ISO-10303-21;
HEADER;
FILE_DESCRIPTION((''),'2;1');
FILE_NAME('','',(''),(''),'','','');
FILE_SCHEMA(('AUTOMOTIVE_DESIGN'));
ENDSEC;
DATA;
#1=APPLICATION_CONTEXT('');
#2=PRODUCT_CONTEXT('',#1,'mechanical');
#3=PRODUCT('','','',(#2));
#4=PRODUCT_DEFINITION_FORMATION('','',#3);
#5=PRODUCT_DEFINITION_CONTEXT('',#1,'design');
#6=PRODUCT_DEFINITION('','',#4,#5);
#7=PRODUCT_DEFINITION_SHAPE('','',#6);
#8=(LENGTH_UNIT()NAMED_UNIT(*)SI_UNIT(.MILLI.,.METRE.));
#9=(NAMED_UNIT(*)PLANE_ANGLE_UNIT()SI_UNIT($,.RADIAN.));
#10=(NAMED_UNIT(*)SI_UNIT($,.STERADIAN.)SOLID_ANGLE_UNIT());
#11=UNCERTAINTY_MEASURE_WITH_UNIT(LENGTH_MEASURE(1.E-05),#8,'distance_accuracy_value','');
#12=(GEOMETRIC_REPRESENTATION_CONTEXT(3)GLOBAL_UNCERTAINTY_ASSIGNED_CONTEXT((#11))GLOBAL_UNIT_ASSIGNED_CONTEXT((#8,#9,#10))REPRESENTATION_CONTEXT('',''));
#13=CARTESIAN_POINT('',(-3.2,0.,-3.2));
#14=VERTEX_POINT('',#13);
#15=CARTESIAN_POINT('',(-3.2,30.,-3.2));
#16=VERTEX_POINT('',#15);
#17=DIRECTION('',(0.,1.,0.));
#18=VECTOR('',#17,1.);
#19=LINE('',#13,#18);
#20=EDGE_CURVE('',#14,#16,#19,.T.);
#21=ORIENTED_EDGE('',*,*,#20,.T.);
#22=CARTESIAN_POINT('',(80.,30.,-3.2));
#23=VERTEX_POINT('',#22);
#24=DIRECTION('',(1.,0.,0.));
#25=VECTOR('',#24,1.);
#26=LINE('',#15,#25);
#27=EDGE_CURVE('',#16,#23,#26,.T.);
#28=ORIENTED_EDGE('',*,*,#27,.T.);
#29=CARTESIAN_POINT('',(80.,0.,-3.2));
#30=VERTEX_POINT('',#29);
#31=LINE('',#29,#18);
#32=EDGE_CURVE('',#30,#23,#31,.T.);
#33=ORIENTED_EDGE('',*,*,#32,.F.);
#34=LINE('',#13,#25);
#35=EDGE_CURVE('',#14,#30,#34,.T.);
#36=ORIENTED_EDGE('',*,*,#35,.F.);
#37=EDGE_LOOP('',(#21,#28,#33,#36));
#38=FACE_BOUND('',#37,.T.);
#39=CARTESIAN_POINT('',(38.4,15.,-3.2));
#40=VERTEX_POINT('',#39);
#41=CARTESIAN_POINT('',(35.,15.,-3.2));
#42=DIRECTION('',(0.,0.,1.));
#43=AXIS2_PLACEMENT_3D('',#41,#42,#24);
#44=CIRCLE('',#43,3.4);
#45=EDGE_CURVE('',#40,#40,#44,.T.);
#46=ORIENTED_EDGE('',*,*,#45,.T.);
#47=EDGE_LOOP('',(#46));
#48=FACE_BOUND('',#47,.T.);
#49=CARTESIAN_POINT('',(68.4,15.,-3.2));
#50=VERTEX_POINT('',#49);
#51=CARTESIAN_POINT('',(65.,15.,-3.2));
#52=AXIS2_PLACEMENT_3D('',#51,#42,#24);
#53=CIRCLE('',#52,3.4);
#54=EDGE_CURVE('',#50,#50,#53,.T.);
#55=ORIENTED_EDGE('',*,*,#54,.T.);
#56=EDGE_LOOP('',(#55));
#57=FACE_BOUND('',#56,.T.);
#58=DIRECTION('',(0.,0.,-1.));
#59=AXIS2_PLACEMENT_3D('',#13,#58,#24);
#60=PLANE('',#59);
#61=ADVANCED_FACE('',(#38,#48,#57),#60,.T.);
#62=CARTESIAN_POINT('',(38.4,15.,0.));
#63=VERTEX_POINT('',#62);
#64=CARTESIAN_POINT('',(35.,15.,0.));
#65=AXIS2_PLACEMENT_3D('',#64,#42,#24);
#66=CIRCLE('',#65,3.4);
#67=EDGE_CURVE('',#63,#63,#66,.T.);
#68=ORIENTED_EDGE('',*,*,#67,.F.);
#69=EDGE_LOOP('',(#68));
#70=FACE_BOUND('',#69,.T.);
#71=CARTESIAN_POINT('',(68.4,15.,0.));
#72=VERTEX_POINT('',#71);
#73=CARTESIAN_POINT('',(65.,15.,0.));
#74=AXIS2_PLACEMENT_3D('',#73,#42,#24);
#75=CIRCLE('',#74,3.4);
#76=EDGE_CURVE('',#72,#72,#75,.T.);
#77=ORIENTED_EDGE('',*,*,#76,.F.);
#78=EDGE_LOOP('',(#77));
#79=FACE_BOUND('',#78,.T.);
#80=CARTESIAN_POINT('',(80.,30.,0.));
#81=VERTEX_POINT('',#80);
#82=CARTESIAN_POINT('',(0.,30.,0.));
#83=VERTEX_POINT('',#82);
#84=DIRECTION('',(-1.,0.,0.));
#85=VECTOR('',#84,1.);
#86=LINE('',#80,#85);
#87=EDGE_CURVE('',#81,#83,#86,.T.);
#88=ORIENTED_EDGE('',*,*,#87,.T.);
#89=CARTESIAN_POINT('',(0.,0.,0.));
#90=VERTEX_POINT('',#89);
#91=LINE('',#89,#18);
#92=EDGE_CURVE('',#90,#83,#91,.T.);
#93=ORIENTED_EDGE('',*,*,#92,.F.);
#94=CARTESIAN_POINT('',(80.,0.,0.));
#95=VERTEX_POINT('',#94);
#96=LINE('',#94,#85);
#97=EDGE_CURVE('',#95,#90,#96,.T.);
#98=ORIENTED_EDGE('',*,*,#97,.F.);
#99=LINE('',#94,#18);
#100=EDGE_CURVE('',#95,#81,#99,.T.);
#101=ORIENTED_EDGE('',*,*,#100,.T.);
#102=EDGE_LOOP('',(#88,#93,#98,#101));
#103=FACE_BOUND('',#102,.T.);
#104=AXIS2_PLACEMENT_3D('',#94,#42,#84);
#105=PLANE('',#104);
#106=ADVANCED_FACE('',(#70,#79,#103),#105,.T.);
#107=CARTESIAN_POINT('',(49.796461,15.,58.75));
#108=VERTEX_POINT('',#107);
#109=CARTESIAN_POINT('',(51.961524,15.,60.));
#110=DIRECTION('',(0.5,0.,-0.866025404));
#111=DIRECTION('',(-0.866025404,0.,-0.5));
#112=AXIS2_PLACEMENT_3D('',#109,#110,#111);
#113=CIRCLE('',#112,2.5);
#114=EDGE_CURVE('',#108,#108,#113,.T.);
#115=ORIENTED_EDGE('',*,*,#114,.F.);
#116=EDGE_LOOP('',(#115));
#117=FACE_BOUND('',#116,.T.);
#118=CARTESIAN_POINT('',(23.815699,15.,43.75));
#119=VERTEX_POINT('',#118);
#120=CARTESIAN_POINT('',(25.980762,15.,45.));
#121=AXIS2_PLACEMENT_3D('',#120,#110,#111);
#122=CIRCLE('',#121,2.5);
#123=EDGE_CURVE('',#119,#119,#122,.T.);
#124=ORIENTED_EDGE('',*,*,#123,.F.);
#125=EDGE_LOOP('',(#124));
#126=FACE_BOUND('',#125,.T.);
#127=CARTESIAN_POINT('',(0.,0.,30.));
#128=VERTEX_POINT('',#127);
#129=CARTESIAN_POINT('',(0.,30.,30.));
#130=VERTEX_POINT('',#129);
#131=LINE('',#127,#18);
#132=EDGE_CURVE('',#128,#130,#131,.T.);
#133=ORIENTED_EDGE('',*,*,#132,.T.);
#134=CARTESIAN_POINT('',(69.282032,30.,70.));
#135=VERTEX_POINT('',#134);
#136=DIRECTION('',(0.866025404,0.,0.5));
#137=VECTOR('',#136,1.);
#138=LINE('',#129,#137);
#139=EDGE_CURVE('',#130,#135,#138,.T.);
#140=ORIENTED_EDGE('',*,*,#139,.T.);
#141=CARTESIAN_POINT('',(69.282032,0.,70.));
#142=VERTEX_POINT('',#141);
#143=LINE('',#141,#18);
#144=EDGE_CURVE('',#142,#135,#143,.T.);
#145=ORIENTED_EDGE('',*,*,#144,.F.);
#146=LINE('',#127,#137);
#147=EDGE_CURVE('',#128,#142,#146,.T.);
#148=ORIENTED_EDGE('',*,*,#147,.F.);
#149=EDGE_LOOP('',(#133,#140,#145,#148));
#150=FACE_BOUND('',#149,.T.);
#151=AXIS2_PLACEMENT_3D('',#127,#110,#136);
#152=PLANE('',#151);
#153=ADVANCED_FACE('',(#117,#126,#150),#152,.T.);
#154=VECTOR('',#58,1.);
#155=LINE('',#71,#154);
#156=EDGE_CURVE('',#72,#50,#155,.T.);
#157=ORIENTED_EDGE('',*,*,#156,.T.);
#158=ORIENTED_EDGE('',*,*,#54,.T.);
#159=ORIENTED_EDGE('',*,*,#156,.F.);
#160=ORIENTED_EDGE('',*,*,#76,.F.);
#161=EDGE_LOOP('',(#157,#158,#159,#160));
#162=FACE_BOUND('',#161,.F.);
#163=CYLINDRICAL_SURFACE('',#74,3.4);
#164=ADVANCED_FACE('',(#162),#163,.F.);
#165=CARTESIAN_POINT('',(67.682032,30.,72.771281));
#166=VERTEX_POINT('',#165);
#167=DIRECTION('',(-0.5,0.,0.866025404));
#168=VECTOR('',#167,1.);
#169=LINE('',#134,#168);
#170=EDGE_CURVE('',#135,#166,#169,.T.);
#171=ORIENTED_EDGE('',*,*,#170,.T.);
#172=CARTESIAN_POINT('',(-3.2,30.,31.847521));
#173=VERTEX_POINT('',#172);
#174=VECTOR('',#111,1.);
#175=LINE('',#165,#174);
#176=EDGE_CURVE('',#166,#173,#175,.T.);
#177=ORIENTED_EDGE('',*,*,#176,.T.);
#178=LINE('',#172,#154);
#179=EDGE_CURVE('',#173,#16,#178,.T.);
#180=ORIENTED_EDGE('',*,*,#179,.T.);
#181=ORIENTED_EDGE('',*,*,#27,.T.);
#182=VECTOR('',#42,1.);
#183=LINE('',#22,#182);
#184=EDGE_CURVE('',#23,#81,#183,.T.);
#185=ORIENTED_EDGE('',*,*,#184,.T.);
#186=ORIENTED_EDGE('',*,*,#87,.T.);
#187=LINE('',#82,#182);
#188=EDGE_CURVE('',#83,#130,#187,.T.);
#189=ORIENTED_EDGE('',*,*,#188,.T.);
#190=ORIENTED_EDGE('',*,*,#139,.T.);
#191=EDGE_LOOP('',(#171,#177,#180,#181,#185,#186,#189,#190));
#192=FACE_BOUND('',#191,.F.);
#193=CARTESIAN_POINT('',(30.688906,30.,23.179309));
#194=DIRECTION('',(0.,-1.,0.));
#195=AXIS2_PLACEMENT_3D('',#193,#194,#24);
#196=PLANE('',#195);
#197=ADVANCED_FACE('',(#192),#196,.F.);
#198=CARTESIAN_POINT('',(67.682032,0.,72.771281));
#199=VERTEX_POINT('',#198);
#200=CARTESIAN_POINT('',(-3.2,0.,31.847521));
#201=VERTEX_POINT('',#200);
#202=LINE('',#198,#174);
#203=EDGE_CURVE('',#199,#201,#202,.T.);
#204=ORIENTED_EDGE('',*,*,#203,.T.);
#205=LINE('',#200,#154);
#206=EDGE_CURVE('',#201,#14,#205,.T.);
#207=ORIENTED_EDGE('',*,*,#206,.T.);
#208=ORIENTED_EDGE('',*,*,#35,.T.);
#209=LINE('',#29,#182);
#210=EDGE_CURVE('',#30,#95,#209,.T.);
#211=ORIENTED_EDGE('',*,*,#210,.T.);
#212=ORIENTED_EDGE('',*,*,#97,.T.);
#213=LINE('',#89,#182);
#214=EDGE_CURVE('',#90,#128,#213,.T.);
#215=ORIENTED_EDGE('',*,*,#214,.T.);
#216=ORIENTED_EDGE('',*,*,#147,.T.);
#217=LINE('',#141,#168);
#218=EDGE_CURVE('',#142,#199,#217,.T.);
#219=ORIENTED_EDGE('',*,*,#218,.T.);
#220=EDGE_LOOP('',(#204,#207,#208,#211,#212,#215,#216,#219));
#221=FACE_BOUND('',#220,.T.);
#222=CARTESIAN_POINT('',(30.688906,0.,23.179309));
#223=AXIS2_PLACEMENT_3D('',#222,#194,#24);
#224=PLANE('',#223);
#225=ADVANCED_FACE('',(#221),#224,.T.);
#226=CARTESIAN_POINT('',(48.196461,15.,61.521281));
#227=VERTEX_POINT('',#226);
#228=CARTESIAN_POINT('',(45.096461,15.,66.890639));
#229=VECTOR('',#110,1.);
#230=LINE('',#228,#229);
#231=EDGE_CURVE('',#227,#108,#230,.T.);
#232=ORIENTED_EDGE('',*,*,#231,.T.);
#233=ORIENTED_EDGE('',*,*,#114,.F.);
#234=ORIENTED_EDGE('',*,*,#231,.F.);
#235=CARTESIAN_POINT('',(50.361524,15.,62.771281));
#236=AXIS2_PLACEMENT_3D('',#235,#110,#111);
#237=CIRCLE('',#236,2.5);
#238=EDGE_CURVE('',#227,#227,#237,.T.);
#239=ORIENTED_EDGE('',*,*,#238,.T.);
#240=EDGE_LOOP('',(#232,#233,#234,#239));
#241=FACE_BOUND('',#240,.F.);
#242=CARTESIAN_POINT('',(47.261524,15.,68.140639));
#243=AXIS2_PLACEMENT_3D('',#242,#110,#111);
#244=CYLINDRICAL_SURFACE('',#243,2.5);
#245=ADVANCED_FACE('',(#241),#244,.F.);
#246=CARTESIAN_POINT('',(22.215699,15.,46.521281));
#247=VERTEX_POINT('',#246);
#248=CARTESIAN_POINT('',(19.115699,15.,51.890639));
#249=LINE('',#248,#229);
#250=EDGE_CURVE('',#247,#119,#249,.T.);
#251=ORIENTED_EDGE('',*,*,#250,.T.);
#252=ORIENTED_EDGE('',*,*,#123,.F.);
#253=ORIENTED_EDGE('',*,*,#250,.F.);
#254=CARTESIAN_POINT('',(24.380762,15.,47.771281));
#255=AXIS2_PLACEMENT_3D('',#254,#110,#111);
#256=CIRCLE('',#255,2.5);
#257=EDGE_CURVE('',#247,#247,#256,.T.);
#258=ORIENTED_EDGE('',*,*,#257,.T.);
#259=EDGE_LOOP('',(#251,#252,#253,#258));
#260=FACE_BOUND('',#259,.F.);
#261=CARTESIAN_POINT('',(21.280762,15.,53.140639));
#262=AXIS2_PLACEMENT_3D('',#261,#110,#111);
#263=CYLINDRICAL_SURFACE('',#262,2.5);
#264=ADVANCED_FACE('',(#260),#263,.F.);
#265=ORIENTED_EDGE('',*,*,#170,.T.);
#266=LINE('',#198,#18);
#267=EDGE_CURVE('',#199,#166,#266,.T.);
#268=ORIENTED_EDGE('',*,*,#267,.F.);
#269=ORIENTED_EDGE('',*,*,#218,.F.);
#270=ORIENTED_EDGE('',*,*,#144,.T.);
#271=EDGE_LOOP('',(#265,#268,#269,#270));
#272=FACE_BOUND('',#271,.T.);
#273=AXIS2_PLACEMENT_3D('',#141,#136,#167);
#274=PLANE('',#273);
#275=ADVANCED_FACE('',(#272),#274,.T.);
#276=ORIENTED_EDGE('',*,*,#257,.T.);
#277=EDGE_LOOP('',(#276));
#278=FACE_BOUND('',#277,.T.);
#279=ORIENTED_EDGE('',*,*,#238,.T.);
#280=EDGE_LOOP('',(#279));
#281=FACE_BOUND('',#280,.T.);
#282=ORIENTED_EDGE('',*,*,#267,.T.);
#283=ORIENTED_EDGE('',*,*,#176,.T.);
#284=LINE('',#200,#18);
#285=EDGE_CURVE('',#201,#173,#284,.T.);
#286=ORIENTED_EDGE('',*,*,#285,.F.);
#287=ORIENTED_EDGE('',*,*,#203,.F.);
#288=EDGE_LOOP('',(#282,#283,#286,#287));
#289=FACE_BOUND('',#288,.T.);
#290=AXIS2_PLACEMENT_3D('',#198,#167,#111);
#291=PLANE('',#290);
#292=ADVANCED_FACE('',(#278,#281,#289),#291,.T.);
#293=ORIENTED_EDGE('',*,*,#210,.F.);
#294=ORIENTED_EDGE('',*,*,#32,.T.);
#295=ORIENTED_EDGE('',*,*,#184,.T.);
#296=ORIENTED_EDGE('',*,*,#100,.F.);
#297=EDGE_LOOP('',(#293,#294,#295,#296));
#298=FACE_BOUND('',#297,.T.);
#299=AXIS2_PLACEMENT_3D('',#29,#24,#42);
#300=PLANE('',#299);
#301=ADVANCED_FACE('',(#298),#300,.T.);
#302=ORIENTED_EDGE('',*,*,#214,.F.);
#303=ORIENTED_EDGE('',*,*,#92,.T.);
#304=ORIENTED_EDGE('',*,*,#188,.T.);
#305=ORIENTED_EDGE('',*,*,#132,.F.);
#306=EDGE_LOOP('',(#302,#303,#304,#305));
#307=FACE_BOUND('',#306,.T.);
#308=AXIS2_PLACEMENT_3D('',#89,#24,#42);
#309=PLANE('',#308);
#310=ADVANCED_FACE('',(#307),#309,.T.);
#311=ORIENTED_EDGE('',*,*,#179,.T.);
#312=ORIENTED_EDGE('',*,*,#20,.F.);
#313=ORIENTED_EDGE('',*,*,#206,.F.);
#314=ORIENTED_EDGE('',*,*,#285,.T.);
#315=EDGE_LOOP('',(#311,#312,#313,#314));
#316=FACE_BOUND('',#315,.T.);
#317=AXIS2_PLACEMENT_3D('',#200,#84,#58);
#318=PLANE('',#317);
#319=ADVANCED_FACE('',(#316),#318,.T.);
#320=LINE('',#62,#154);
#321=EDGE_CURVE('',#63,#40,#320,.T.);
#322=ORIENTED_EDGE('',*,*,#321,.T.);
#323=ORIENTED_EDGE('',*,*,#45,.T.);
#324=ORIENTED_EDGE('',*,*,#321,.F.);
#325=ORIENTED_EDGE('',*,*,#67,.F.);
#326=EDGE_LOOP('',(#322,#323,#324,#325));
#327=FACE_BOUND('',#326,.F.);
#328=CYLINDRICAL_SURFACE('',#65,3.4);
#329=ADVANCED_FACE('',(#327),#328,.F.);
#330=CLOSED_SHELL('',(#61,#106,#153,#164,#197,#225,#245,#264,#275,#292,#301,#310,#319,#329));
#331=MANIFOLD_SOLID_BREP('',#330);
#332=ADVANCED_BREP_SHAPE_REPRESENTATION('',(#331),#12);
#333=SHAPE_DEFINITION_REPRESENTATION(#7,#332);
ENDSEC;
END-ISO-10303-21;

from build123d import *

# Parameters (mm, degrees)
F1_DEPTH = 30
F3_D     = 6.8
F3_DEPTH = 3.201
F5_D     = 5
F5_DEPTH = 6.2
F5_TIP   = 1.5021515476


with BuildPart() as f1:
    # F0 (on Front) → F1 (new body)
    with BuildSketch(Plane.XZ):
        Polygon((80, 0), (0, 0), (0, 30), (69.2820323028, 70), (67.6820323028, 72.7712812921), (-3.2, 31.8475208614), (-3.2, -3.2), (80, -3.2), align=None)
    extrude(amount=-F1_DEPTH)

    # F3 (through all, one way)
    with BuildSketch(Plane.XY):
        with Locations((35, 15), (65, 15)):
            Circle(F3_D / 2)
    extrude(amount=-F3_DEPTH, mode=Mode.SUBTRACT)

    # F5
    with Locations(Plane(origin=(-14.5903810568, 0, 25.2712812921), x_dir=(0.8660254038, 0, 0.5), z_dir=(-0.5, 0, 0.8660254038))):
        with Locations((75, 15), (45, 15)):
            Hole(F5_D / 2, depth=F5_DEPTH)
            with Locations((0, 0, -(F5_DEPTH + F5_TIP / 2))):  # 118° drill point
                Cone(0, F5_D / 2, F5_TIP, mode=Mode.SUBTRACT)


solid = f1.part
